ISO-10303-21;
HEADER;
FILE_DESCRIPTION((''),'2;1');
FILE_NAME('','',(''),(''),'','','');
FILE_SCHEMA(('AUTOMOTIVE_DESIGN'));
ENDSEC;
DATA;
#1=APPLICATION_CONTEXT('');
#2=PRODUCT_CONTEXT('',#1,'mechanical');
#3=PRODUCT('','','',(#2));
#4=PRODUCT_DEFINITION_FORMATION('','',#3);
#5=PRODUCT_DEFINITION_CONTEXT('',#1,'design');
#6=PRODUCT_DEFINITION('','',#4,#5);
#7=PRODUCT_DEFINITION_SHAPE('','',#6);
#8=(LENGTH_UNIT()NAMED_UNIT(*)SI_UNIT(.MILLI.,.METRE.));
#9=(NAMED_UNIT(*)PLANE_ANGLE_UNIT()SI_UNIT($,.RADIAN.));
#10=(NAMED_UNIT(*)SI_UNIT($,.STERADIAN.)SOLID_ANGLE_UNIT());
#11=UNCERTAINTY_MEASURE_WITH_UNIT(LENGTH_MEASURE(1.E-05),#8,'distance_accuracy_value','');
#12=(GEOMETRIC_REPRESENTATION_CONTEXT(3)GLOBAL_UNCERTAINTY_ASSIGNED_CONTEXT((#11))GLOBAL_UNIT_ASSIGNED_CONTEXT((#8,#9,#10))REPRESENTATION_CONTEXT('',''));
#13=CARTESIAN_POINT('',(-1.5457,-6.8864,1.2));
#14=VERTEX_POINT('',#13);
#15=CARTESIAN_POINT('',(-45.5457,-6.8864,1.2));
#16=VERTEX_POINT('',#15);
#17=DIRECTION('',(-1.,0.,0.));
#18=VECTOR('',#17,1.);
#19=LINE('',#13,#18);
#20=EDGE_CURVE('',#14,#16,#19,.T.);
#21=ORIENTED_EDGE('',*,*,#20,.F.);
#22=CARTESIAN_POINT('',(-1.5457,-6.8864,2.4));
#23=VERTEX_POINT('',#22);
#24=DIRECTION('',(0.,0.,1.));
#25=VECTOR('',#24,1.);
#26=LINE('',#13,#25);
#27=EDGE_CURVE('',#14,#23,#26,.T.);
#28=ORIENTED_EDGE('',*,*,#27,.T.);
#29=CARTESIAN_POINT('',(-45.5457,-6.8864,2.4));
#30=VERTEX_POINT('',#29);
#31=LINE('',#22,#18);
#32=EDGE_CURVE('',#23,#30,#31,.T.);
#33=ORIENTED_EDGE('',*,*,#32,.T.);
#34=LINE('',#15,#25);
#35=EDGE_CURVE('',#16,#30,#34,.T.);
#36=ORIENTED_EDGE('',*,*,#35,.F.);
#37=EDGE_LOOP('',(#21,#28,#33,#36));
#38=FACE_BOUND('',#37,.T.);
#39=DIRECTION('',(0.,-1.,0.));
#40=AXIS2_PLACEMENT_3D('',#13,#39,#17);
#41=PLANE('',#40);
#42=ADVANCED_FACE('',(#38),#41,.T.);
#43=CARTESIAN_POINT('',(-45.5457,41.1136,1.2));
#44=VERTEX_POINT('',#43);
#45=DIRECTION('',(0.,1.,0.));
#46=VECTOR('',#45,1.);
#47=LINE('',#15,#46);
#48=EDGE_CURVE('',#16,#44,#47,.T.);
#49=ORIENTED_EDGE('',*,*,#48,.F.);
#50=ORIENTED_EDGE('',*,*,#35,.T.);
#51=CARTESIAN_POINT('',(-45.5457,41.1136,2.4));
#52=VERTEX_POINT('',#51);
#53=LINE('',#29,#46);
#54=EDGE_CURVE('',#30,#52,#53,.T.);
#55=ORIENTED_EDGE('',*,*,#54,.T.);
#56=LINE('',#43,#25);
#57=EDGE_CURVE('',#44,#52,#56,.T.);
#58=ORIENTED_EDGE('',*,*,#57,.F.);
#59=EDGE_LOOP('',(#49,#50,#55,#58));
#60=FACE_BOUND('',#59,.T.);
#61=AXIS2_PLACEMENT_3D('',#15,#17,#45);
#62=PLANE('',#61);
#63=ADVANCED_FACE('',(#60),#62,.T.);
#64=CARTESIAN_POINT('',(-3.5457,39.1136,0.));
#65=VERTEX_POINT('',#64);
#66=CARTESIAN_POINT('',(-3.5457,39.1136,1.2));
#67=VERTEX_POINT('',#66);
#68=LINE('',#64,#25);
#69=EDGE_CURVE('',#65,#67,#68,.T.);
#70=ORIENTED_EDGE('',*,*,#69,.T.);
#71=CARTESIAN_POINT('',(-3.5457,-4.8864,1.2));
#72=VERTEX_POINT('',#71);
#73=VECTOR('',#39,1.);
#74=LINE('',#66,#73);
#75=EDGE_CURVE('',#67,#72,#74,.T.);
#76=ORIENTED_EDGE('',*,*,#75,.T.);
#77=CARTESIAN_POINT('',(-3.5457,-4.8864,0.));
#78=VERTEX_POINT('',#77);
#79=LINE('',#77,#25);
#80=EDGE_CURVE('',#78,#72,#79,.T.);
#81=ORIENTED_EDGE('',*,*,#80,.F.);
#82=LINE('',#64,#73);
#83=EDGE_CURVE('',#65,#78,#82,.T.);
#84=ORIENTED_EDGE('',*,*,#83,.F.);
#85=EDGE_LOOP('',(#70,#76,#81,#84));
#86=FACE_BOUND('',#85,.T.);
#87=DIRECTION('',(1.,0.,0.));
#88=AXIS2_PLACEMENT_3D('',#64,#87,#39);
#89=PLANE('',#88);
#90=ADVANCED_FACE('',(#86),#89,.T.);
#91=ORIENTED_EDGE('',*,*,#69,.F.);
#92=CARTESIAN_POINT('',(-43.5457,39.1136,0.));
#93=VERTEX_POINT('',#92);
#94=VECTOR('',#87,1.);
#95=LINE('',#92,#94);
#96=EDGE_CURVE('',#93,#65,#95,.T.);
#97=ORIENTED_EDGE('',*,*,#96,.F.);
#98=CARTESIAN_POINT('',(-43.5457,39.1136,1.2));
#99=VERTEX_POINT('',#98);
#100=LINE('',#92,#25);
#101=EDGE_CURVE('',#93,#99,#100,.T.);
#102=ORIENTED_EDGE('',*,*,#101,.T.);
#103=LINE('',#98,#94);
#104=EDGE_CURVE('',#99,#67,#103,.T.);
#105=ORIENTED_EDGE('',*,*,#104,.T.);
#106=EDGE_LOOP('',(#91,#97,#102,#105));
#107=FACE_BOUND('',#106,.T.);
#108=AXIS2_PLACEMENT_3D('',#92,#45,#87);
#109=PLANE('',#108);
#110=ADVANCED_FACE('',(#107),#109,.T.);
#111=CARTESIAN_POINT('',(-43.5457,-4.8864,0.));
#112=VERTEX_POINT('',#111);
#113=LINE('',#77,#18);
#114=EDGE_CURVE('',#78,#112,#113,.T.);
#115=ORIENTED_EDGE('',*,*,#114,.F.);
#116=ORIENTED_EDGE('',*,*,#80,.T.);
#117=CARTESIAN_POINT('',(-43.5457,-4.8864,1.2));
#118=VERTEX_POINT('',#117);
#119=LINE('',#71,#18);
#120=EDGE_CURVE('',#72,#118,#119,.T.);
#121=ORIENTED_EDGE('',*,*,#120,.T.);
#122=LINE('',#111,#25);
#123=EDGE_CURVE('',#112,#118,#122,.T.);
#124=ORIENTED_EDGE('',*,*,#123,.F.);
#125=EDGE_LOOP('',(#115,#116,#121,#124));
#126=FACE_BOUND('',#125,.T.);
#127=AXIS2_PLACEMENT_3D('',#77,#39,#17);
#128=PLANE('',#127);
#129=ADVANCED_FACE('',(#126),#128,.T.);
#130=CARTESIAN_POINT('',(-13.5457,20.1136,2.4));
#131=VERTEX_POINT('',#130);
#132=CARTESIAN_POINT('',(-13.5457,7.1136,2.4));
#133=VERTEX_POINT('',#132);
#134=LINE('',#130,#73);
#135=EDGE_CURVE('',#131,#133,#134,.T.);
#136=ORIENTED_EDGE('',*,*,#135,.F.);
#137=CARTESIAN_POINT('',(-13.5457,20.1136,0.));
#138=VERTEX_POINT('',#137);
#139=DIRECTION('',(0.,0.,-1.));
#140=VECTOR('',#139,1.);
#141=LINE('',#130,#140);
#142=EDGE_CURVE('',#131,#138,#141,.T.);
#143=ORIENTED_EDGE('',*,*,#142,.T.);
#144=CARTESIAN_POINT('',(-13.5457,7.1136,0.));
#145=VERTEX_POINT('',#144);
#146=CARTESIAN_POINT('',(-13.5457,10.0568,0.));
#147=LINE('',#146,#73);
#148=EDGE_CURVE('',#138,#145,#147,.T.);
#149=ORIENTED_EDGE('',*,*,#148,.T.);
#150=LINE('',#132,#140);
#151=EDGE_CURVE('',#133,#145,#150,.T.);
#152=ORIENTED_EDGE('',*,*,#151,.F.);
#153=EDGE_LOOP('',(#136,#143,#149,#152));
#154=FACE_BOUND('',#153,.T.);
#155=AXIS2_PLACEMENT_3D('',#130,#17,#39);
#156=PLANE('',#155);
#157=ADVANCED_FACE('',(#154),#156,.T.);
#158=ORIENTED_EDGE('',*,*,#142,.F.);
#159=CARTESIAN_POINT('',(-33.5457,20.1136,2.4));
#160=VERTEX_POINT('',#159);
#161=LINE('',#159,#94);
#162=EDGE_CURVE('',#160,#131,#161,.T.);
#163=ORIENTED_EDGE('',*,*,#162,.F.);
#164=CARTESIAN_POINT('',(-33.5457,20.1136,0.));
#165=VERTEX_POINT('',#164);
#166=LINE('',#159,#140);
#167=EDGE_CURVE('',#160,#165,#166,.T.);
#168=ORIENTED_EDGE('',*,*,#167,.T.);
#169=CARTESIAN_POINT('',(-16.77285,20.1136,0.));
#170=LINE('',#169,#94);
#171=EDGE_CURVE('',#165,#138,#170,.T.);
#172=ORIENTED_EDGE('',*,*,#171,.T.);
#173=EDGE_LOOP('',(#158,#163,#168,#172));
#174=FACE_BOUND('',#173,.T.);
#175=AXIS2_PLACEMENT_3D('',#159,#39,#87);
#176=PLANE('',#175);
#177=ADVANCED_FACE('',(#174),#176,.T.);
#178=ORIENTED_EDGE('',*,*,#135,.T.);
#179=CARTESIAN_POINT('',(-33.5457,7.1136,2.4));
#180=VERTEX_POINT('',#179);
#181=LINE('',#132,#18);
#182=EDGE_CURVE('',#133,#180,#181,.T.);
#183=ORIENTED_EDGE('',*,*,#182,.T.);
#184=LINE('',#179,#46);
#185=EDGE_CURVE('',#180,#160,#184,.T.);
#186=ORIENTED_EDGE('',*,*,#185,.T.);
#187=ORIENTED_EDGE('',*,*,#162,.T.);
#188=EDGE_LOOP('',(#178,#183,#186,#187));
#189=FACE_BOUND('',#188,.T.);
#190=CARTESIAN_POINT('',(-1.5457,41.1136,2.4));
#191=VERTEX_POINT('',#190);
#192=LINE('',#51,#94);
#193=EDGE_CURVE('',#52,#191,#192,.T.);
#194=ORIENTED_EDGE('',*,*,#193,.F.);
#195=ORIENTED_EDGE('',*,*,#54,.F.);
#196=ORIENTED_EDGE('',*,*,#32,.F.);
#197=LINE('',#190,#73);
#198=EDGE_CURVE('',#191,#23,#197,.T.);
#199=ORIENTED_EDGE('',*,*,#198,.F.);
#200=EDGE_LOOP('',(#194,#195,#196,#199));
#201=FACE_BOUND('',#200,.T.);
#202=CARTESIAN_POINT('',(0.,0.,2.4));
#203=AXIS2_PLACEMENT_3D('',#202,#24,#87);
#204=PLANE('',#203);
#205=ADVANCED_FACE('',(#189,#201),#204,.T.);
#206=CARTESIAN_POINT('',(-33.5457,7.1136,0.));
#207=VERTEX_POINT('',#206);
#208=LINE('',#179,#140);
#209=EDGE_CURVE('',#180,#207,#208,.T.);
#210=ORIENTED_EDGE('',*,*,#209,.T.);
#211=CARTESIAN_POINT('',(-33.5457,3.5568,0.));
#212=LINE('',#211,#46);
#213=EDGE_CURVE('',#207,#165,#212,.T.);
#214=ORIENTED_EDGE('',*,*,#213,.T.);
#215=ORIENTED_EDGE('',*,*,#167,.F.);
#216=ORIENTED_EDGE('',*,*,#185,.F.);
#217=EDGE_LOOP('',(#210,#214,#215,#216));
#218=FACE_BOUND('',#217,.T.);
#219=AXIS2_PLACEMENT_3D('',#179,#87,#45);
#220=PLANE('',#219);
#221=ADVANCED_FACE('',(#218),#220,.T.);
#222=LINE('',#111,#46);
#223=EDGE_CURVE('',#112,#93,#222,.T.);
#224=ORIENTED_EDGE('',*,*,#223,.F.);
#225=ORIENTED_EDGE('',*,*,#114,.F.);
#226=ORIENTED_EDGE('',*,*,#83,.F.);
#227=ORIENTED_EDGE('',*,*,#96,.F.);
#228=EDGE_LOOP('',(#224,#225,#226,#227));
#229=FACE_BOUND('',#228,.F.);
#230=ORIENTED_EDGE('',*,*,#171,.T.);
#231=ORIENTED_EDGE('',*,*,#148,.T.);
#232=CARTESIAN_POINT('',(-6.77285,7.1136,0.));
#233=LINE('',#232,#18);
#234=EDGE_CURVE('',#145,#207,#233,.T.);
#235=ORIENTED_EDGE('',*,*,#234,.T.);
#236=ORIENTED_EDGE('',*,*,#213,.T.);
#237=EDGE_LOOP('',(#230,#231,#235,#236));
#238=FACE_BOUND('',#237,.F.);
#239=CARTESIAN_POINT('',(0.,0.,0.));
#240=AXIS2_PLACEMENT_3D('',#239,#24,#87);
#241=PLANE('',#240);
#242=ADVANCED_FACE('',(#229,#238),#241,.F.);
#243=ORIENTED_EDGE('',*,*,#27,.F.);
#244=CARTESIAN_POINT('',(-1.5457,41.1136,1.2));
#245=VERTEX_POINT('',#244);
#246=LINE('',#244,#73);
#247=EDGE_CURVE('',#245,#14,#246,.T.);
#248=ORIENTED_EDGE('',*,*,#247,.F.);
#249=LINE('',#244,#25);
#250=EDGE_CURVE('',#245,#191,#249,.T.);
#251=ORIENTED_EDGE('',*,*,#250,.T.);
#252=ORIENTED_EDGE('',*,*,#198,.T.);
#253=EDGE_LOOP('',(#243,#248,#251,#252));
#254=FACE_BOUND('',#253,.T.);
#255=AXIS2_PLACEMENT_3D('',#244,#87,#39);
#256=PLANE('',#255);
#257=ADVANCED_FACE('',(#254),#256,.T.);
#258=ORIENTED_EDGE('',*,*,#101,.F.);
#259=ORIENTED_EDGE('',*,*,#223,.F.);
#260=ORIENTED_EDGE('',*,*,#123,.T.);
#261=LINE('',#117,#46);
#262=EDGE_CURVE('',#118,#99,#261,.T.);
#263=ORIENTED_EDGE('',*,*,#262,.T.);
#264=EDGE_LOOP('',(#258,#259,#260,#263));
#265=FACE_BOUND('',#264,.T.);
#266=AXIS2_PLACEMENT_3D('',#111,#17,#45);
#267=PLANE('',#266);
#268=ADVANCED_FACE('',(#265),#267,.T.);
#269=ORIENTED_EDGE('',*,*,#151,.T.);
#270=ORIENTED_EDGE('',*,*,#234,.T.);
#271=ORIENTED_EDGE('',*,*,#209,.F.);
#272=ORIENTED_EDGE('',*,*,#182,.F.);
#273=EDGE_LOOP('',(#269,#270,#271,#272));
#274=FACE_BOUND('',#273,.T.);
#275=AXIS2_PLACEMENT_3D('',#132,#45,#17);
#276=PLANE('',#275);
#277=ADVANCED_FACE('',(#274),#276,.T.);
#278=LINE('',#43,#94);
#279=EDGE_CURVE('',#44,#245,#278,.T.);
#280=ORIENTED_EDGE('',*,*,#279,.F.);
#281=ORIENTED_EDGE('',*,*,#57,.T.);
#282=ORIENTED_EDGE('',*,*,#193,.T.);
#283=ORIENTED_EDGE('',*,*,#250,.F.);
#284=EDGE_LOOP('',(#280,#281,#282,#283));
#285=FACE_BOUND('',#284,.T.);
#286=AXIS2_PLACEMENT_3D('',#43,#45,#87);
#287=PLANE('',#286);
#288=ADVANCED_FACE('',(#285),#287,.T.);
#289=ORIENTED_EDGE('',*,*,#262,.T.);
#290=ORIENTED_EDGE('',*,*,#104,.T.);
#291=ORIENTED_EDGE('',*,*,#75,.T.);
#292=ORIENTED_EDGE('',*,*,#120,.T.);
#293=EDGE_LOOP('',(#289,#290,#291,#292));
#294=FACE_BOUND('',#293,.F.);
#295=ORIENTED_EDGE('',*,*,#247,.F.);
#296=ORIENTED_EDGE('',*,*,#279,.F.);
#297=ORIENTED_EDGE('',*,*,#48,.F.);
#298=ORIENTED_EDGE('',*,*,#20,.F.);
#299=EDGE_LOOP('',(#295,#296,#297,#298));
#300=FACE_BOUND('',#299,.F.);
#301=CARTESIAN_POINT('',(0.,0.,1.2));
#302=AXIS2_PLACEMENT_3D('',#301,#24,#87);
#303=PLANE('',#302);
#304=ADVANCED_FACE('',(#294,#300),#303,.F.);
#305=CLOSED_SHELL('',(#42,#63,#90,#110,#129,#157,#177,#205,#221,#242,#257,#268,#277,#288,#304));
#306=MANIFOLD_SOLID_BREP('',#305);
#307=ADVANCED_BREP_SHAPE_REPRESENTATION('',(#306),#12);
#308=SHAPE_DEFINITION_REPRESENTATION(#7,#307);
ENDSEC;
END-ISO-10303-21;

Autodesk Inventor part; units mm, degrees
ref_plane "YZ Plane" through (0, 0, 0) normal (1, 0, 0) x (0, 1, 0)
ref_plane "XZ Plane" through (0, 0, 0) normal (0, 1, 0) x (-1, 0, 0)
ref_plane "XY Plane" through (0, 0, 0) normal (0, 0, 1) x (1, 0, 0)
sketch "Sketch1" plane through (0, 0, 0) normal (0, 0, 1) x (1, 0, 0)
  line L0 (-43.5457, 39.1136) -> (-3.5457, 39.1136)
  line L1 (-3.5457, 39.1136) -> (-3.5457, -4.8864)
  line L2 (-3.5457, -4.8864) -> (-43.5457, -4.8864)
  line L3 (-43.5457, -4.8864) -> (-43.5457, 39.1136)
  point P0 (0, 0)
  dimension "d0" = 40
  dimension "d1" = 44
extrude "Extrusion1" add sketch "Sketch1" along normal blind 1.2
sketch "Sketch2" plane through (0, 0, 1.2) normal (0, 0, 1) x (1, 0, 0)
  line L0 (-45.5457, 41.1136) -> (-1.5457, 41.1136)
  line L1 (-1.5457, 41.1136) -> (-1.5457, -6.8864)
  line L2 (-1.5457, -6.8864) -> (-45.5457, -6.8864)
  line L3 (-45.5457, -6.8864) -> (-45.5457, 41.1136)
  line L4 (-3.5457, 39.1136) -> (-43.5457, 39.1136) projected
  line L5 (-43.5457, -4.8864) -> (-3.5457, -4.8864) projected
  line L6 (-3.5457, -4.8864) -> (-3.5457, 39.1136) projected
  line L7 (-43.5457, 39.1136) -> (-43.5457, -4.8864) projected
  point P0 (0, 0)
  dimension "d4" = 2
  dimension "d5" = 2
  dimension "d6" = 2
  dimension "d7" = 2
extrude "Extrusion2" add sketch "Sketch2" along normal blind 1.2 contours L0 L1 L2 L3 | L6 L5 L7 L4
sketch "Sketch3" plane through (0, 0, 2.4) normal (0, 0, 1) x (1, 0, 0)
  line L0 (-33.5457, 20.1136) -> (-13.5457, 20.1136)
  line L1 (-13.5457, 20.1136) -> (-13.5457, 7.1136)
  line L2 (-13.5457, 7.1136) -> (-33.5457, 7.1136)
  line L3 (-33.5457, 7.1136) -> (-33.5457, 20.1136)
  line L4 (-43.5457, -4.8864) -> (-3.5457, -4.8864) projected
  line L5 (-45.5457, 41.1136) -> (-45.5457, -6.8864) projected
  line L6 (-1.5457, -6.8864) -> (-1.5457, 41.1136) projected
  point P0 (0, 0)
  dimension "d10" = 12
  dimension "d11" = 25
  dimension "d12" = 12
  dimension "d13" = 12
extrude "Extrusion3" cut sketch "Sketch3" against normal blind 3
properties part number "Front"
